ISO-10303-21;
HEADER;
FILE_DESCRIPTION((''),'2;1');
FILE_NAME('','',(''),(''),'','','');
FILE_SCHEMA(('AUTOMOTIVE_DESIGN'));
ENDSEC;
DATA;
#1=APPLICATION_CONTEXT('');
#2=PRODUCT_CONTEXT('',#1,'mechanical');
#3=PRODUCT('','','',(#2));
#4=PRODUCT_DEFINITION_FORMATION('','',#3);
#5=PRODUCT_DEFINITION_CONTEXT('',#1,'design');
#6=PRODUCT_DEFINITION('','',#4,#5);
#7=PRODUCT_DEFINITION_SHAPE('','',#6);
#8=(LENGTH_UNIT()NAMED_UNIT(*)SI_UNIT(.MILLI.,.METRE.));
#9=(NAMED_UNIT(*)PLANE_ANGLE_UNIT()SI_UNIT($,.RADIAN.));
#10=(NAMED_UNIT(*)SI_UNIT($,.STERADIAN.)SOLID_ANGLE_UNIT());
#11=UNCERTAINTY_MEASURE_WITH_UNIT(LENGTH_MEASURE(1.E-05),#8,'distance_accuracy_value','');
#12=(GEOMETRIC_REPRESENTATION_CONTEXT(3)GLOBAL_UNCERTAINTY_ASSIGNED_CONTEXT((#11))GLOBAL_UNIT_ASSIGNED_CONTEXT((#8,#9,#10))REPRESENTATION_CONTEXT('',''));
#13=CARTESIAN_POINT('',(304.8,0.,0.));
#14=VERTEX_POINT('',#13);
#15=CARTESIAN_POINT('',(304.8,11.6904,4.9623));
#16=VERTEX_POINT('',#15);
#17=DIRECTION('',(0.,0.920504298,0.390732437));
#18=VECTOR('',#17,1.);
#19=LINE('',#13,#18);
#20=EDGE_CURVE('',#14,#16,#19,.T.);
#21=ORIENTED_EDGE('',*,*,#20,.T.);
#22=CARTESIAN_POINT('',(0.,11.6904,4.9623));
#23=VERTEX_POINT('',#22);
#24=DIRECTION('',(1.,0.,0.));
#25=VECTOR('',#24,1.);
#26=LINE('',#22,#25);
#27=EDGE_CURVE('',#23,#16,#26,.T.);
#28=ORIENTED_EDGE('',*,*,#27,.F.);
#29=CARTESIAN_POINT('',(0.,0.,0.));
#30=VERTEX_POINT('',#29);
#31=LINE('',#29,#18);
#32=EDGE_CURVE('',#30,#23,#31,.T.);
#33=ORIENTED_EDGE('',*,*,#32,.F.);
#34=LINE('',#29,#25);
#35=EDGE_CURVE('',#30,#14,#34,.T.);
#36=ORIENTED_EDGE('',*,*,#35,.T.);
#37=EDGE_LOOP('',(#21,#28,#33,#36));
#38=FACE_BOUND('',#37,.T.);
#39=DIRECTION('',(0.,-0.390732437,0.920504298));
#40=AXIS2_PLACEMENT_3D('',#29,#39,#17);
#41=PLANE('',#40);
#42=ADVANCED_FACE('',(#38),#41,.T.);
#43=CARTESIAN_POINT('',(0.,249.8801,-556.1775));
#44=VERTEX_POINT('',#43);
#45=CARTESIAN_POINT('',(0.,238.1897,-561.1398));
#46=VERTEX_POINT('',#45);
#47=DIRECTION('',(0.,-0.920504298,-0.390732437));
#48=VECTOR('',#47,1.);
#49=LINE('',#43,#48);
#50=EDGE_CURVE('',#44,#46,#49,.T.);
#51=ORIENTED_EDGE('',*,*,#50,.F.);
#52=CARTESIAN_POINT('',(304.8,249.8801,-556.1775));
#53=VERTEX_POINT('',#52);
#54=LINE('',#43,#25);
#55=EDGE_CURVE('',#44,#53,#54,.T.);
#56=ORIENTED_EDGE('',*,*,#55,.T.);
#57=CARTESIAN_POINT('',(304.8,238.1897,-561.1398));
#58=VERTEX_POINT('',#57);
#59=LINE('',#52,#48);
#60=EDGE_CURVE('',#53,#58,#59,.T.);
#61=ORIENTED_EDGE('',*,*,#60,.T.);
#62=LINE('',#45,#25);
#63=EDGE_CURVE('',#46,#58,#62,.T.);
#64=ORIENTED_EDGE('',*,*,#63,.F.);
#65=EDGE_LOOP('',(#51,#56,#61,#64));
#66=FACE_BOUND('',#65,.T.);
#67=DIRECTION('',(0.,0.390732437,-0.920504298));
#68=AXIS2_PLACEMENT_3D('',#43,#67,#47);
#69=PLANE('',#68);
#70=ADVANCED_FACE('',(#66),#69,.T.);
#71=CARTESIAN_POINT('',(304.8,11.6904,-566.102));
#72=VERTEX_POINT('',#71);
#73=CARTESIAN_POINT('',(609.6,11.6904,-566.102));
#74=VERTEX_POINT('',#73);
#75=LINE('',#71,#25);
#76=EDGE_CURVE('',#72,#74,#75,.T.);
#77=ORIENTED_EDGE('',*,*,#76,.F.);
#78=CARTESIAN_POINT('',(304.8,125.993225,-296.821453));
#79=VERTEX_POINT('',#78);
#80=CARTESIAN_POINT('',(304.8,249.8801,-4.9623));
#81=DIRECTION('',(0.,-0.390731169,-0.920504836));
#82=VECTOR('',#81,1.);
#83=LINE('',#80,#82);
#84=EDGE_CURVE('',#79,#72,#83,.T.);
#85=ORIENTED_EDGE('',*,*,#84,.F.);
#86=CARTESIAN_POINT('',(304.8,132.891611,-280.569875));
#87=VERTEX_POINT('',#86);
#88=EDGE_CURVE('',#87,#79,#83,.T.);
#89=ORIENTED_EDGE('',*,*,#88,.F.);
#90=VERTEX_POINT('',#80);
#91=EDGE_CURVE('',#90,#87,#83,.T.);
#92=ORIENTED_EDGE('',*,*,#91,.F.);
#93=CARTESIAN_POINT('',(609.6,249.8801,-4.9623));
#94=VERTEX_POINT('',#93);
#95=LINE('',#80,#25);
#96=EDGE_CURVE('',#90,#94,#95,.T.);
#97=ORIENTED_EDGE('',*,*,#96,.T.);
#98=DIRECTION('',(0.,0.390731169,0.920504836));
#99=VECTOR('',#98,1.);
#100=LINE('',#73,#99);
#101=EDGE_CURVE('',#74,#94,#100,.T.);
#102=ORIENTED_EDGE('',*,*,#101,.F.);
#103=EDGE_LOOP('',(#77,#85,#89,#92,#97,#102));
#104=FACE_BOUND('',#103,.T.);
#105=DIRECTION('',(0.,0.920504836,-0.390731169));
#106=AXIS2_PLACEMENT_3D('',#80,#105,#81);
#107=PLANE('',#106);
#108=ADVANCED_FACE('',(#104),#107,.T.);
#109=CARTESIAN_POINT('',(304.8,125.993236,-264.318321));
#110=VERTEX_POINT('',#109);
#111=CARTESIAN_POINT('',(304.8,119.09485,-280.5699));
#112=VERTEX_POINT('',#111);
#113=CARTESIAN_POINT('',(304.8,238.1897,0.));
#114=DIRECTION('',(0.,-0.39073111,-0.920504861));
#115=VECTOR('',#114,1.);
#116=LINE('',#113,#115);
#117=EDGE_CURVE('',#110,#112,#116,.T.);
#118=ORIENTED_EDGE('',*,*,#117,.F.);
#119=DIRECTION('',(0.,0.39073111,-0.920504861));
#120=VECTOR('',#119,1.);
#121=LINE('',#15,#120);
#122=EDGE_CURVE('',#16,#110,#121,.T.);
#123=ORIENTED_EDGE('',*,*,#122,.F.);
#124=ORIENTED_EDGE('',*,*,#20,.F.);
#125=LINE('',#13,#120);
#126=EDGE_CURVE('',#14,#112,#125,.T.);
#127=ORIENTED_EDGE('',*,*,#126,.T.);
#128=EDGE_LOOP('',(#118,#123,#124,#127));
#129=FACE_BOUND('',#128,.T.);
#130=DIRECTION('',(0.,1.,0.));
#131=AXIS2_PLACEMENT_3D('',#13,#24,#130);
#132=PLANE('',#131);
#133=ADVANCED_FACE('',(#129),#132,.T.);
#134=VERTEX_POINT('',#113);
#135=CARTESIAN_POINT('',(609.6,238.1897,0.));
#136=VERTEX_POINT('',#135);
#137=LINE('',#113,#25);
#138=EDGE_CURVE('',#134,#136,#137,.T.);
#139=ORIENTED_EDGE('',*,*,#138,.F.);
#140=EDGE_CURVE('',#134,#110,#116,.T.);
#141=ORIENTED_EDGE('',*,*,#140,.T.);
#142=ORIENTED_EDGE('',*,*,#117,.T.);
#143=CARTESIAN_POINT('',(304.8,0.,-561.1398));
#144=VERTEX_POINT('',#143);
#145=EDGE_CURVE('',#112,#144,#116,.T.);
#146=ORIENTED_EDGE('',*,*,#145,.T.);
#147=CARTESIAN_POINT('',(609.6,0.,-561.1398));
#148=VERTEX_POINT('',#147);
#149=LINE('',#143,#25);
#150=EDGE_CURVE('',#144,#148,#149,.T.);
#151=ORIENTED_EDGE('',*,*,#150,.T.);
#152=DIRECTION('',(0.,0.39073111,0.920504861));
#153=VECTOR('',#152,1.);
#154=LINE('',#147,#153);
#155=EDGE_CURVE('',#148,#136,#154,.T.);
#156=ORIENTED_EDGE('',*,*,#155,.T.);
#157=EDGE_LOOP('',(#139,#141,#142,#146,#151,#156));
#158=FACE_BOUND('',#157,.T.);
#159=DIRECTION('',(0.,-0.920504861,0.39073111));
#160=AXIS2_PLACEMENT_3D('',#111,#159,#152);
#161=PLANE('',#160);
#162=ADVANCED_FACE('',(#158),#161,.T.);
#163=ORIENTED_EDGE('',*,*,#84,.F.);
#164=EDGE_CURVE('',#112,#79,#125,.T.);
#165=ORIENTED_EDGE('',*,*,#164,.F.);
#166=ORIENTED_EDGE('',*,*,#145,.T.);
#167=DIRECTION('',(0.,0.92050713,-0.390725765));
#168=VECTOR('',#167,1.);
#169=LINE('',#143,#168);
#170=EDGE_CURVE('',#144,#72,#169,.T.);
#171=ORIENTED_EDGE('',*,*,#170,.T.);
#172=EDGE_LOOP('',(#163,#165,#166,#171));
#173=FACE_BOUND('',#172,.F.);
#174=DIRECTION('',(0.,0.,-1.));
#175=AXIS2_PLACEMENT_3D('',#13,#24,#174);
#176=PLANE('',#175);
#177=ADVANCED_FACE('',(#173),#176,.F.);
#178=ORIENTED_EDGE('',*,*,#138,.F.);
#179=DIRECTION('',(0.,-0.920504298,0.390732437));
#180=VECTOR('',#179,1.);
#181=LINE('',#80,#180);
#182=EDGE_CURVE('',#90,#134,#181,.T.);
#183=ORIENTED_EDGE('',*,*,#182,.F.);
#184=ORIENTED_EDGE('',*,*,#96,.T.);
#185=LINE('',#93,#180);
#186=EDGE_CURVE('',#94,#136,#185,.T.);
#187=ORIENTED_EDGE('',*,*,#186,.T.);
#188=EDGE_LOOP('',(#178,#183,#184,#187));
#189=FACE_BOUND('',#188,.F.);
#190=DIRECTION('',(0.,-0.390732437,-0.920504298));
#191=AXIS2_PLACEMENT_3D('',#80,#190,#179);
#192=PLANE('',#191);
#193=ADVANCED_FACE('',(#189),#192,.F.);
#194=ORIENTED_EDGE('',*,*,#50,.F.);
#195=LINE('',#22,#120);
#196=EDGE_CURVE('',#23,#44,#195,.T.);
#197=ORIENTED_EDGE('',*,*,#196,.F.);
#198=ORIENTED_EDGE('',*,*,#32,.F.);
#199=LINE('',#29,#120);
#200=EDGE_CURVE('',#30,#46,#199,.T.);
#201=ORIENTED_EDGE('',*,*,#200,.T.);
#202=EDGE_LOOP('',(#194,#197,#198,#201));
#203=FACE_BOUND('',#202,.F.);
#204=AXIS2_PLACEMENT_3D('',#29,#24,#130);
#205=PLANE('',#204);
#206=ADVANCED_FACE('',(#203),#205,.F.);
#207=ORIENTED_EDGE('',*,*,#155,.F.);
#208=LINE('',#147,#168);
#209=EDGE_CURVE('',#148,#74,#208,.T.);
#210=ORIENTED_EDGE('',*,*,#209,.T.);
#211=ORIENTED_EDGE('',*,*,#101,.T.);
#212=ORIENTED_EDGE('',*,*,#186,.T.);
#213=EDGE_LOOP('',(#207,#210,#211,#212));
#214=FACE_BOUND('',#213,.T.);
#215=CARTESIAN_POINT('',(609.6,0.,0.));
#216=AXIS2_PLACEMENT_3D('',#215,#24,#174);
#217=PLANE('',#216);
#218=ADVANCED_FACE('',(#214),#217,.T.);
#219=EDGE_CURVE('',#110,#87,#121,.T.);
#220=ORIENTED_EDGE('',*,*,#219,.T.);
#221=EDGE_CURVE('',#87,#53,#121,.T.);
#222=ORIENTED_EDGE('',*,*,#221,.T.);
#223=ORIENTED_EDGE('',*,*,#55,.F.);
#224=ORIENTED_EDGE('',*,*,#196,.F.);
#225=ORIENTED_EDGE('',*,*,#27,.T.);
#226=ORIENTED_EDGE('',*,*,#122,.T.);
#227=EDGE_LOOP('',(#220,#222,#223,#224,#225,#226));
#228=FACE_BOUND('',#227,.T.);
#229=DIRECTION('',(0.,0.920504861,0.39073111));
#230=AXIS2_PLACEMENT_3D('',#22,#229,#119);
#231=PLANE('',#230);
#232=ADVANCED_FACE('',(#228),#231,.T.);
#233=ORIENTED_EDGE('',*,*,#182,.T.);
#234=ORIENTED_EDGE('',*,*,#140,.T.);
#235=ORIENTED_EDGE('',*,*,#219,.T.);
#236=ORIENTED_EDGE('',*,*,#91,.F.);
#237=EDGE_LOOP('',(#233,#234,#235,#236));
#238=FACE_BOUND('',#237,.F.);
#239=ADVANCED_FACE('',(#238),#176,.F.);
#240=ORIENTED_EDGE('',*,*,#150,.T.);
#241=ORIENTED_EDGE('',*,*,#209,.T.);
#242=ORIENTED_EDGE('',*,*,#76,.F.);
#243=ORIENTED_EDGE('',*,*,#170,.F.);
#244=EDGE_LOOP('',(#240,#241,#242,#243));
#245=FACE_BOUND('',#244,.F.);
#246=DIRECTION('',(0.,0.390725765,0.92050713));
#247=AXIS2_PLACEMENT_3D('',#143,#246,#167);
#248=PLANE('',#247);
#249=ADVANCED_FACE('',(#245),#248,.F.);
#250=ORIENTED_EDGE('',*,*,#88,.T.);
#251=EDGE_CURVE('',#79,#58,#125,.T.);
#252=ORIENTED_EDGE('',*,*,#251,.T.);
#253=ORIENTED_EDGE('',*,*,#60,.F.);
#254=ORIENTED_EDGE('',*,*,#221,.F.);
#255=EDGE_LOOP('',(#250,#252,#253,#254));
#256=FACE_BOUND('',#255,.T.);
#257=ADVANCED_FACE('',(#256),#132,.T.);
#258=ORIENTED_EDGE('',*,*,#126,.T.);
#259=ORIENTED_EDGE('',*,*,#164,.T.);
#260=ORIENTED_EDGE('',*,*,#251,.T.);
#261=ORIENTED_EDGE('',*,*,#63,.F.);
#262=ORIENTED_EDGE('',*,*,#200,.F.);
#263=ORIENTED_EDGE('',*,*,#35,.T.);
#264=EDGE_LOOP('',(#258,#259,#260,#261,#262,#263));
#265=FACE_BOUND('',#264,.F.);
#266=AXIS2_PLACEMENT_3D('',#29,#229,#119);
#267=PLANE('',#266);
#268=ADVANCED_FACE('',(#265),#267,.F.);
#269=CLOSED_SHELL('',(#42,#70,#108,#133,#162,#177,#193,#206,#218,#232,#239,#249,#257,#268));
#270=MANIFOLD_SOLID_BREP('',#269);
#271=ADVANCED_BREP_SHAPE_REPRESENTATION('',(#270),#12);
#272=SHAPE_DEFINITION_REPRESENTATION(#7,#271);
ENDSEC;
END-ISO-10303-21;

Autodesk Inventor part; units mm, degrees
ref_plane "YZ Plane" through (0, 0, 0) normal (1, 0, 0) x (0, 1, 0)
ref_plane "XZ Plane" through (0, 0, 0) normal (0, 1, 0) x (-1, 0, 0)
ref_plane "XY Plane" through (0, 0, 0) normal (0, 0, 1) x (1, 0, 0)
sketch "Sketch1" plane through (0, 0, 0) normal (1, 0, 0) x (0, 1, 0)
  line L0 (0, 0) -> (238.1897, -561.1398)
  line L1 (0, 0) -> (0, -331.1226) construction
  line L2 (0, 0) -> (11.6904, 4.9623)
  line L3 (11.6904, 4.9623) -> (249.8801, -556.1775)
  line L4 (249.8801, -556.1775) -> (238.1897, -561.1398)
  dimension "d0" = 609.6
  dimension "d2" = 23
  dimension "d3" = 12.7
extrude "Extrusion1" add sketch "Sketch1" along normal blind 304.8
sketch "Sketch2" plane through (304.8, 0, 0) normal (1, 0, 0) x (0, 0, -1)
  line L0 (0, 0) -> (561.1398, 238.1897) projected
  line L1 (561.1398, 0) -> (0, 238.1897)
  line L2 (561.1398, 0) -> (392.1686, 0) construction
  line L3 (4.9623, 249.8801) -> (566.102, 11.6904)
  line L4 (4.9623, 249.8801) -> (0, 238.1897)
  line L5 (561.1398, 0) -> (566.102, 11.6904)
  dimension "d6" = 23
  dimension "d7" = 12.7
  dimension "d8" = 609.6
extrude "Extrusion2" add sketch "Sketch2" along normal blind 304.8
properties part number "SeeSaw"
